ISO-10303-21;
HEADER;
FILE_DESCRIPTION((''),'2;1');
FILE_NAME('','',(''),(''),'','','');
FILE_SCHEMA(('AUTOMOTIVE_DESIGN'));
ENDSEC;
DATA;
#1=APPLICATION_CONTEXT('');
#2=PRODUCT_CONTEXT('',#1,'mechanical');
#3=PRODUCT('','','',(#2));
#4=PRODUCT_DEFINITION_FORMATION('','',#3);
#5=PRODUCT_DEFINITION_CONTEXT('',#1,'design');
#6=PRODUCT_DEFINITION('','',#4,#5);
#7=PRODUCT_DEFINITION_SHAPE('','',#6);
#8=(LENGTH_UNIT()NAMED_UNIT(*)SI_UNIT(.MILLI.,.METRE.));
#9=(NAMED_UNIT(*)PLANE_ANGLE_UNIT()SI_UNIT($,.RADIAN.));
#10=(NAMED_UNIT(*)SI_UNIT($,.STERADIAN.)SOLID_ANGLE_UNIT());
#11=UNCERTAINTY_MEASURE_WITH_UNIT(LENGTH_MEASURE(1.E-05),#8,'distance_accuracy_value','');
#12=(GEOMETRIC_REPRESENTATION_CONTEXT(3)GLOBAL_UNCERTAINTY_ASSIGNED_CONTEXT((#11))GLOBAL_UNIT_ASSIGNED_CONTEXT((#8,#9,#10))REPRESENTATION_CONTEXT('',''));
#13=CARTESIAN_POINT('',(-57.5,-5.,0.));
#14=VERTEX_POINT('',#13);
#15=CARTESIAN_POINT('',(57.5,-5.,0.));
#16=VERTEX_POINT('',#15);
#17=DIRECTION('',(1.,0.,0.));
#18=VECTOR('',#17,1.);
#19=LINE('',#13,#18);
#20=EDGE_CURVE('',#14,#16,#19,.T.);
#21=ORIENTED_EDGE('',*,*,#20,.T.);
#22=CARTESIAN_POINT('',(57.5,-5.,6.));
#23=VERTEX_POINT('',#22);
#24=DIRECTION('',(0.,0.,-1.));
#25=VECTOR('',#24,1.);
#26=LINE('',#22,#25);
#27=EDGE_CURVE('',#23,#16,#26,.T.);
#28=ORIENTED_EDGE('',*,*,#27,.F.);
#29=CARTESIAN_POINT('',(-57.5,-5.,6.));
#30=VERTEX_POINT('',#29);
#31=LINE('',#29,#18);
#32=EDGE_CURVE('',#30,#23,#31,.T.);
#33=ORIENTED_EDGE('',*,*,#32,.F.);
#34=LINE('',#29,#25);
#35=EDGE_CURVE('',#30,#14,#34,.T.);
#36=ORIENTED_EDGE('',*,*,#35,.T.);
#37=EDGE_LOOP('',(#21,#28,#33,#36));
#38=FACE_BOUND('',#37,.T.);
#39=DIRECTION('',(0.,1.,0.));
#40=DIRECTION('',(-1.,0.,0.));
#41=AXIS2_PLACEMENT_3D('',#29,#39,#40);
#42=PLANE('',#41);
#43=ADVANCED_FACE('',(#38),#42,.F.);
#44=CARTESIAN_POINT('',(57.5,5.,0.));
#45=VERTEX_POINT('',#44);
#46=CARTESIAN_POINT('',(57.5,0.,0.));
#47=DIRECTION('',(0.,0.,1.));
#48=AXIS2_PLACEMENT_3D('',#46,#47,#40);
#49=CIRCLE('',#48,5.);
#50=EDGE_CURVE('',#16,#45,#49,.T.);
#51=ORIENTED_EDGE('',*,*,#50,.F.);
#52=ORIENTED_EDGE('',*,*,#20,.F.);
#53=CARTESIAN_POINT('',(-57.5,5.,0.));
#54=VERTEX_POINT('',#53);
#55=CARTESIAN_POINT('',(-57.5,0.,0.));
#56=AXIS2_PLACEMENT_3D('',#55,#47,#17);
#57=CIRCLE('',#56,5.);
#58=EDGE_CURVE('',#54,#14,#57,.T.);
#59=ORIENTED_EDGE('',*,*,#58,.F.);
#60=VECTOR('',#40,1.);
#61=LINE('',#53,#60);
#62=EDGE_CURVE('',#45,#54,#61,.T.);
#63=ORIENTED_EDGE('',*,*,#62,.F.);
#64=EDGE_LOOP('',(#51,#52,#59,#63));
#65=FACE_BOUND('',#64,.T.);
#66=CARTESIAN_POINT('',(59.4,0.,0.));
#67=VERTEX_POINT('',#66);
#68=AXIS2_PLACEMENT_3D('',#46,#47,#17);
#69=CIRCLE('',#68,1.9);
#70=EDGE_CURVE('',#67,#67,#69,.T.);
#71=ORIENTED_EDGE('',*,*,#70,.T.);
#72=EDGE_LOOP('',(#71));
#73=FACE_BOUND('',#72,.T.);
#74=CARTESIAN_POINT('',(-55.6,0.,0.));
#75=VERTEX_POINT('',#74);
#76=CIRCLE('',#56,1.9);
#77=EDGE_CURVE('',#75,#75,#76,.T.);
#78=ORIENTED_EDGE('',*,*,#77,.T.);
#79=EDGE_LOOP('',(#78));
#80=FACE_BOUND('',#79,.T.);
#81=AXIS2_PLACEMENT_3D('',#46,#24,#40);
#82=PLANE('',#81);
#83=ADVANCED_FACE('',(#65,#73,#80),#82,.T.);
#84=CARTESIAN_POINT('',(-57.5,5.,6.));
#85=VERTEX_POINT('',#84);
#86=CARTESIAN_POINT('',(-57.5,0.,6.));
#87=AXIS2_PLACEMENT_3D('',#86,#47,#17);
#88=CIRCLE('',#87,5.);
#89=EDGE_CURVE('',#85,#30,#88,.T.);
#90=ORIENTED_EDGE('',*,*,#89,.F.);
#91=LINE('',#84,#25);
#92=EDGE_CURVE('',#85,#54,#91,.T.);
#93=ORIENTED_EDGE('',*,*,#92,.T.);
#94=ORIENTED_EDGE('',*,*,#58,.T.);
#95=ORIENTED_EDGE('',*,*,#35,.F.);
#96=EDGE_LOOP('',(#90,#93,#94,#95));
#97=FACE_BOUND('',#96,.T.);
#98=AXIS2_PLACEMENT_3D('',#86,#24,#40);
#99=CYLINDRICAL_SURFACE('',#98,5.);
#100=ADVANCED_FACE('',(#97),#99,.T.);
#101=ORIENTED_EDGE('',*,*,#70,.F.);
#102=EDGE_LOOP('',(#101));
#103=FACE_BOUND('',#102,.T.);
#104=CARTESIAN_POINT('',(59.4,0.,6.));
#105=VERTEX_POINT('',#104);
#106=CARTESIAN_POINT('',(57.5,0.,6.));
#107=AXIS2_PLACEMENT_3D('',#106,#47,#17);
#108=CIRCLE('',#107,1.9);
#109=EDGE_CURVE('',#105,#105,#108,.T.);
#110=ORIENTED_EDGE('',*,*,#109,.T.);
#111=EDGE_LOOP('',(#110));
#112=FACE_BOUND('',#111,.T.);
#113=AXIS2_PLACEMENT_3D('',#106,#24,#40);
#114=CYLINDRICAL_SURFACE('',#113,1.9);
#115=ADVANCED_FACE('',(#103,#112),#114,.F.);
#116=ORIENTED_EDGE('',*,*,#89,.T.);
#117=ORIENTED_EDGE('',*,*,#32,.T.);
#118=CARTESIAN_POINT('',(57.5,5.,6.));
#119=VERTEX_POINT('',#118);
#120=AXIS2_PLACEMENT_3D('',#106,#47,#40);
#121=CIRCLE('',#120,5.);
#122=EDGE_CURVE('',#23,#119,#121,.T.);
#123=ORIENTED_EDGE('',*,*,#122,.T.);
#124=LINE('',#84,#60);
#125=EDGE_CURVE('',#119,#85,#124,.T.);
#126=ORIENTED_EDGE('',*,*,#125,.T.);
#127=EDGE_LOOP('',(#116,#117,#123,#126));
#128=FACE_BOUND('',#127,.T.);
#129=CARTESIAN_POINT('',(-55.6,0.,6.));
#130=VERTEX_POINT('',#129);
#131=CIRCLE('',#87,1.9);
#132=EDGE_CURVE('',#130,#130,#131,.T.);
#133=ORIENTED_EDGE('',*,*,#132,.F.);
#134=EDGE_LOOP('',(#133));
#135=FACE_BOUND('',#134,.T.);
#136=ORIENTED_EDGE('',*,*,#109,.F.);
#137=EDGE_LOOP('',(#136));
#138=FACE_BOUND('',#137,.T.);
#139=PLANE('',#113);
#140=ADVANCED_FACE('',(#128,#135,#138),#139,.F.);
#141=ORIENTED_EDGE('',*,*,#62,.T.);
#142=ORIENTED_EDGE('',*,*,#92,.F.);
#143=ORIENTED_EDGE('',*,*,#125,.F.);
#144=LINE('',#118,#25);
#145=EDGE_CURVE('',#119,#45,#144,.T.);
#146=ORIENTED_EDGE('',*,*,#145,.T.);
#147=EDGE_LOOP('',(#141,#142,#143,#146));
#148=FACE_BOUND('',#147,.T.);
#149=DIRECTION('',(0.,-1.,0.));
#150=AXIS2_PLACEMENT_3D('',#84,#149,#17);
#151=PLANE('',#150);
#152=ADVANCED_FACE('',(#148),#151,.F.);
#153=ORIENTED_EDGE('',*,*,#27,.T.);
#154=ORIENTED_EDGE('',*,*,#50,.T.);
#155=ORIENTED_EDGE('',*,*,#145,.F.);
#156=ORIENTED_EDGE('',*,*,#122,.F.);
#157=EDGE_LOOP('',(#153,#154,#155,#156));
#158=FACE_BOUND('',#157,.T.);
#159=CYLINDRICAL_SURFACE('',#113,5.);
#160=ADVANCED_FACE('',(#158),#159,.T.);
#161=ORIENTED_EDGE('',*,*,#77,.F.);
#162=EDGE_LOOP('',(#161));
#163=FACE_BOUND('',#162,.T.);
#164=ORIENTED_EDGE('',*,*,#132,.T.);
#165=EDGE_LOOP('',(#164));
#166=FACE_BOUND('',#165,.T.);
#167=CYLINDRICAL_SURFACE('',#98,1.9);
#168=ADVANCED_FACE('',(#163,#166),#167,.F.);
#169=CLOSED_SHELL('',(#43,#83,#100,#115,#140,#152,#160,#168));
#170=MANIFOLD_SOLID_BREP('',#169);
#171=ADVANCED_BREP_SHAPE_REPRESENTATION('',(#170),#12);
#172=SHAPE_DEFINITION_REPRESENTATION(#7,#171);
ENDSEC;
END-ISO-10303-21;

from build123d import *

# Parameters (mm, degrees)
SKETCH1_R           = 1.9
BOSS_EXTRUDE1_DEPTH = 6


with BuildPart() as part:
    # Sketch1 → Boss-Extrude1 (new body)
    with BuildSketch(Plane.XY):
        with BuildLine():
            Line((-57.5, 5), (57.5, 5))
            ThreePointArc((57.5, 5), (62.5, 0), (57.5, -5))
            Line((57.5, -5), (-57.5, -5))
            ThreePointArc((-57.5, -5), (-62.5, 0), (-57.5, 5))
        make_face()
        with Locations((-57.5, 0)):
            Circle(SKETCH1_R, mode=Mode.SUBTRACT)
        with Locations((57.5, 0)):
            Circle(SKETCH1_R, mode=Mode.SUBTRACT)
    extrude(amount=BOSS_EXTRUDE1_DEPTH)


solid = part.part
